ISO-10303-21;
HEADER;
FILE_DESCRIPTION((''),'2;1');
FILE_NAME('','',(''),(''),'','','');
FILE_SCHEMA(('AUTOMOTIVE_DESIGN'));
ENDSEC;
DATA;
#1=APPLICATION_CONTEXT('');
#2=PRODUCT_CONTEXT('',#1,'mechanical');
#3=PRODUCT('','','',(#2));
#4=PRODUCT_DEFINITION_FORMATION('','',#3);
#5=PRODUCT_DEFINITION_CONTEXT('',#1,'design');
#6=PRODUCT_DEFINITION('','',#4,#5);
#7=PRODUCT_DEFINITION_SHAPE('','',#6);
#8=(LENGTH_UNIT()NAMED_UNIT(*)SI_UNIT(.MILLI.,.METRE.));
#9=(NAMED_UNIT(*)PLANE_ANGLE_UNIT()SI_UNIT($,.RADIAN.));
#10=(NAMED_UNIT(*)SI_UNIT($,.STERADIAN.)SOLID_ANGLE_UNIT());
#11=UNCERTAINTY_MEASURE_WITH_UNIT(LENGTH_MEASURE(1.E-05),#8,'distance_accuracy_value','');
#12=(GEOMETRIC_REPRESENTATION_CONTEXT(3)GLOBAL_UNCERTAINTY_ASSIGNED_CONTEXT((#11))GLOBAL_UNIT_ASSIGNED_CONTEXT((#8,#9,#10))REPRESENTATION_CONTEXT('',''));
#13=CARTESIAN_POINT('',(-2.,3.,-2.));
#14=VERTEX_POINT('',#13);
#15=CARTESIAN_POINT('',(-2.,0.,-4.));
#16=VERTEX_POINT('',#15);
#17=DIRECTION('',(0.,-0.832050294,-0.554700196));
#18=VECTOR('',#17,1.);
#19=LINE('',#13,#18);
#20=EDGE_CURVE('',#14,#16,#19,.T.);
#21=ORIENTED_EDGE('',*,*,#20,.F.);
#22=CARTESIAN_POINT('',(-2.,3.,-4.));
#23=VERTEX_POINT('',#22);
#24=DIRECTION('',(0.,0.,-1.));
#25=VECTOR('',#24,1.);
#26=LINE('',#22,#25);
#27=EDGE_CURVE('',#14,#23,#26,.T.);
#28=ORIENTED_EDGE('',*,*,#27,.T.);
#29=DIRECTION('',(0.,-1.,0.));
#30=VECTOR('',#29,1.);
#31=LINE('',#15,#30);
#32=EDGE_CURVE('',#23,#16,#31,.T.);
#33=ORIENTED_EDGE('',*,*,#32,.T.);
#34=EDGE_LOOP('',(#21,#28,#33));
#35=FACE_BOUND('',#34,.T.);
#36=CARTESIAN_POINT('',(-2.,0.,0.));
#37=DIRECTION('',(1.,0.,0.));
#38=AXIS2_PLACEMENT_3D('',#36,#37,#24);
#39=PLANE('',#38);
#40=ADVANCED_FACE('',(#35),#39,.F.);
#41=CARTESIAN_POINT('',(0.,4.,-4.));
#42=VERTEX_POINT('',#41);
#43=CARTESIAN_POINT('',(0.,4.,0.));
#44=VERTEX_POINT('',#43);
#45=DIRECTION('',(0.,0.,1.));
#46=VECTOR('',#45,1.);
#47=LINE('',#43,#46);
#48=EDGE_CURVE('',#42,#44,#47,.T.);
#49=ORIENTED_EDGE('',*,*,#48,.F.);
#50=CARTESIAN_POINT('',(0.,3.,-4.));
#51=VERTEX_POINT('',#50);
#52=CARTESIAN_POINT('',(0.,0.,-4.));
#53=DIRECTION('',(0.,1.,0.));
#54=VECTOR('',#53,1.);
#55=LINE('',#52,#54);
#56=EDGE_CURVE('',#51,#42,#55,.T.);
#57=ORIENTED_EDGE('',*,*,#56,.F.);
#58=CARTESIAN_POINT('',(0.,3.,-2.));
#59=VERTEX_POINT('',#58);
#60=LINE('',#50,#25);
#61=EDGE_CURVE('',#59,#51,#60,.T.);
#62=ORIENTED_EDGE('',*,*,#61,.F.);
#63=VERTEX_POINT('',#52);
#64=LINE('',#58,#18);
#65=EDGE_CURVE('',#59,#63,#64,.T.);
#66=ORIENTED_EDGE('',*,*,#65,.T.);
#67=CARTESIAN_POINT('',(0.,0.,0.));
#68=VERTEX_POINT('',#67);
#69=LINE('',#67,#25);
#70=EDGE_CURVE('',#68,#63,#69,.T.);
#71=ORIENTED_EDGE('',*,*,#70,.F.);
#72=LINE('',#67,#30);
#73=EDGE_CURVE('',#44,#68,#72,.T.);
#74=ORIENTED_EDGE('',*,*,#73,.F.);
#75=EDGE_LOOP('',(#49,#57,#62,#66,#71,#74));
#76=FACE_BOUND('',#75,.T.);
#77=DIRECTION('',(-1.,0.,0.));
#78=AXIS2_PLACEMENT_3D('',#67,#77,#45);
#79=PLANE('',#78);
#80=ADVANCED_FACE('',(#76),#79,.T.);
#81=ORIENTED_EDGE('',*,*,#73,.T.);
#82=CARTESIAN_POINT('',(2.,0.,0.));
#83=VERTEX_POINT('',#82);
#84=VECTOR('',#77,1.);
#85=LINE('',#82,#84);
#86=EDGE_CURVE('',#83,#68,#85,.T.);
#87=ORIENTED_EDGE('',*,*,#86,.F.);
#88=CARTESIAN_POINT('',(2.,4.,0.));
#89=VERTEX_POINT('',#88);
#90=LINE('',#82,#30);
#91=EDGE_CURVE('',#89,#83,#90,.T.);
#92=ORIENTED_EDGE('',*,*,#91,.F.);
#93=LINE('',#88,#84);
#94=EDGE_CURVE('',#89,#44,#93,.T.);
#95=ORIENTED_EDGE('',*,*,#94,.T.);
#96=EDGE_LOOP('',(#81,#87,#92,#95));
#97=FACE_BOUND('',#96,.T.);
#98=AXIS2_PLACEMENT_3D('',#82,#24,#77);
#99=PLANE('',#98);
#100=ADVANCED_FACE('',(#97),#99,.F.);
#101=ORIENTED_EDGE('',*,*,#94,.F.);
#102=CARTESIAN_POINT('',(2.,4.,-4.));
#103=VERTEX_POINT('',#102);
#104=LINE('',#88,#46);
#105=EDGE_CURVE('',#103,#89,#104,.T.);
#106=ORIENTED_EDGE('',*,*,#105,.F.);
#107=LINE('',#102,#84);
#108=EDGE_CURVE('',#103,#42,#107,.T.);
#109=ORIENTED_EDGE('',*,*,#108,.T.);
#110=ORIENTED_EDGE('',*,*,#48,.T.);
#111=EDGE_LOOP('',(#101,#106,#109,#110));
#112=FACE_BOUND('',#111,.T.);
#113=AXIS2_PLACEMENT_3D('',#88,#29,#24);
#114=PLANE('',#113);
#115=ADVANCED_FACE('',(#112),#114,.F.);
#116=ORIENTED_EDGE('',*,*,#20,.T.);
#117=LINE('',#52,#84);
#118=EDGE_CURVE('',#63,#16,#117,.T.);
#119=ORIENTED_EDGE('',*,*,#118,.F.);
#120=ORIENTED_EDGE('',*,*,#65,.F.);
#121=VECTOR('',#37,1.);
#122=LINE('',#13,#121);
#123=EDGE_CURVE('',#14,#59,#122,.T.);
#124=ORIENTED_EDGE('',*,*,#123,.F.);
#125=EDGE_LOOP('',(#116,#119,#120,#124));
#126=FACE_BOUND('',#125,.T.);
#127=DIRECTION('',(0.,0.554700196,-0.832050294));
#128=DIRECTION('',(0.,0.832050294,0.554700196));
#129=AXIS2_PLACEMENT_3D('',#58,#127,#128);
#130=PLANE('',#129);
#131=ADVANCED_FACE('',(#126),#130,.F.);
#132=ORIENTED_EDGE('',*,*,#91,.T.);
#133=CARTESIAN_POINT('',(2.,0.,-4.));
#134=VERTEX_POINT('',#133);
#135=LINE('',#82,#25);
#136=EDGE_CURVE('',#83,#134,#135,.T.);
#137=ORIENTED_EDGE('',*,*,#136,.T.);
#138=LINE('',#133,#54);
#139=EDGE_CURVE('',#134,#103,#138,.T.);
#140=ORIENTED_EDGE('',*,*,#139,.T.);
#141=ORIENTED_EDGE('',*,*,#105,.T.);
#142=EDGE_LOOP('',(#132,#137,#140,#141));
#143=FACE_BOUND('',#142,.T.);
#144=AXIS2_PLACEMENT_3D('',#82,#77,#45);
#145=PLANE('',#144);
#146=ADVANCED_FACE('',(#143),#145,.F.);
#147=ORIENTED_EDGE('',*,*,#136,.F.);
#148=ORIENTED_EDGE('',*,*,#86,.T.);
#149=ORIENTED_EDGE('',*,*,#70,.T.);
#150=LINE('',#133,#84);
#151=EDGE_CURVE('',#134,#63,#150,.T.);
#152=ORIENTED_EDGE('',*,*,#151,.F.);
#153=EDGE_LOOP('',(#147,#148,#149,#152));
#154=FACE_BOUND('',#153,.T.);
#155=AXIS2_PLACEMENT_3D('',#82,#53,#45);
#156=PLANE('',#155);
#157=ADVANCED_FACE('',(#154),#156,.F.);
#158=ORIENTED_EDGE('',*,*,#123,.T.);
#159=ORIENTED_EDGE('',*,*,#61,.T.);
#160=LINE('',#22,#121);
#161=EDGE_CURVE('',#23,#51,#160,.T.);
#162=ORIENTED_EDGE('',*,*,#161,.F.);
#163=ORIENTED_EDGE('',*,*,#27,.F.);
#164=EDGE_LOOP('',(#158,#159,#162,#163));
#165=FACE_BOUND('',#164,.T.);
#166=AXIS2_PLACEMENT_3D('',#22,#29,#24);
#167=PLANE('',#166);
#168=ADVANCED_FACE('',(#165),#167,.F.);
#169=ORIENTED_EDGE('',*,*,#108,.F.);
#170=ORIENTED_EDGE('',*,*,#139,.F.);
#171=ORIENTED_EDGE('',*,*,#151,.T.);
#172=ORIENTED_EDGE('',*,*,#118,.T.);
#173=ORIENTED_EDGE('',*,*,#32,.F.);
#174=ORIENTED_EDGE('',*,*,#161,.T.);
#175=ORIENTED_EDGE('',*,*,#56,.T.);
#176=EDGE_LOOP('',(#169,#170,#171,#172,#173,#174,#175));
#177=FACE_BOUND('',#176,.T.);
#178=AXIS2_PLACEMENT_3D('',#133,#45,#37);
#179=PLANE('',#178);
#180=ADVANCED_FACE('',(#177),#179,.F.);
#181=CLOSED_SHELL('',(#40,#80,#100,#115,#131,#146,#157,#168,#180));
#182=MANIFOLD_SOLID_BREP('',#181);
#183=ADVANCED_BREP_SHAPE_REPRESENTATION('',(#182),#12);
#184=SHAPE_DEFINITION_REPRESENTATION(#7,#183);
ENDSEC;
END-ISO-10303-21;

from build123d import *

# Parameters (mm, degrees)
SKETCH1_W           = 4
SKETCH1_H           = 4
BOSS_EXTRUDE1_DEPTH = 2
SKETCH2_W           = 2
SKETCH2_H           = 3
BOSS_EXTRUDE2_DEPTH = 2
CUT_EXTRUDE1_DEPTH  = 2


with BuildPart() as part:
    # Sketch1 → Boss-Extrude1 (new body)
    with BuildSketch(Plane(origin=(0, 0, 0), x_dir=(0, 0, -1), z_dir=(1, 0, 0))):
        with Locations((2, 2)):
            Rectangle(SKETCH1_W, SKETCH1_H)
    extrude(amount=BOSS_EXTRUDE1_DEPTH)

    # Sketch2 → Boss-Extrude2 (add)
    with BuildSketch(Plane.ZY):
        with Locations((-3, 1.5)):
            Rectangle(SKETCH2_W, SKETCH2_H)
    extrude(amount=BOSS_EXTRUDE2_DEPTH)

    # Sketch3 → Cut-Extrude1 (cut)
    with BuildSketch(Plane.ZY.offset(2)):
        Polygon((-2, 3), (-4, 0), (-2, 0), align=None)
    extrude(amount=-CUT_EXTRUDE1_DEPTH, mode=Mode.SUBTRACT)


solid = part.part
